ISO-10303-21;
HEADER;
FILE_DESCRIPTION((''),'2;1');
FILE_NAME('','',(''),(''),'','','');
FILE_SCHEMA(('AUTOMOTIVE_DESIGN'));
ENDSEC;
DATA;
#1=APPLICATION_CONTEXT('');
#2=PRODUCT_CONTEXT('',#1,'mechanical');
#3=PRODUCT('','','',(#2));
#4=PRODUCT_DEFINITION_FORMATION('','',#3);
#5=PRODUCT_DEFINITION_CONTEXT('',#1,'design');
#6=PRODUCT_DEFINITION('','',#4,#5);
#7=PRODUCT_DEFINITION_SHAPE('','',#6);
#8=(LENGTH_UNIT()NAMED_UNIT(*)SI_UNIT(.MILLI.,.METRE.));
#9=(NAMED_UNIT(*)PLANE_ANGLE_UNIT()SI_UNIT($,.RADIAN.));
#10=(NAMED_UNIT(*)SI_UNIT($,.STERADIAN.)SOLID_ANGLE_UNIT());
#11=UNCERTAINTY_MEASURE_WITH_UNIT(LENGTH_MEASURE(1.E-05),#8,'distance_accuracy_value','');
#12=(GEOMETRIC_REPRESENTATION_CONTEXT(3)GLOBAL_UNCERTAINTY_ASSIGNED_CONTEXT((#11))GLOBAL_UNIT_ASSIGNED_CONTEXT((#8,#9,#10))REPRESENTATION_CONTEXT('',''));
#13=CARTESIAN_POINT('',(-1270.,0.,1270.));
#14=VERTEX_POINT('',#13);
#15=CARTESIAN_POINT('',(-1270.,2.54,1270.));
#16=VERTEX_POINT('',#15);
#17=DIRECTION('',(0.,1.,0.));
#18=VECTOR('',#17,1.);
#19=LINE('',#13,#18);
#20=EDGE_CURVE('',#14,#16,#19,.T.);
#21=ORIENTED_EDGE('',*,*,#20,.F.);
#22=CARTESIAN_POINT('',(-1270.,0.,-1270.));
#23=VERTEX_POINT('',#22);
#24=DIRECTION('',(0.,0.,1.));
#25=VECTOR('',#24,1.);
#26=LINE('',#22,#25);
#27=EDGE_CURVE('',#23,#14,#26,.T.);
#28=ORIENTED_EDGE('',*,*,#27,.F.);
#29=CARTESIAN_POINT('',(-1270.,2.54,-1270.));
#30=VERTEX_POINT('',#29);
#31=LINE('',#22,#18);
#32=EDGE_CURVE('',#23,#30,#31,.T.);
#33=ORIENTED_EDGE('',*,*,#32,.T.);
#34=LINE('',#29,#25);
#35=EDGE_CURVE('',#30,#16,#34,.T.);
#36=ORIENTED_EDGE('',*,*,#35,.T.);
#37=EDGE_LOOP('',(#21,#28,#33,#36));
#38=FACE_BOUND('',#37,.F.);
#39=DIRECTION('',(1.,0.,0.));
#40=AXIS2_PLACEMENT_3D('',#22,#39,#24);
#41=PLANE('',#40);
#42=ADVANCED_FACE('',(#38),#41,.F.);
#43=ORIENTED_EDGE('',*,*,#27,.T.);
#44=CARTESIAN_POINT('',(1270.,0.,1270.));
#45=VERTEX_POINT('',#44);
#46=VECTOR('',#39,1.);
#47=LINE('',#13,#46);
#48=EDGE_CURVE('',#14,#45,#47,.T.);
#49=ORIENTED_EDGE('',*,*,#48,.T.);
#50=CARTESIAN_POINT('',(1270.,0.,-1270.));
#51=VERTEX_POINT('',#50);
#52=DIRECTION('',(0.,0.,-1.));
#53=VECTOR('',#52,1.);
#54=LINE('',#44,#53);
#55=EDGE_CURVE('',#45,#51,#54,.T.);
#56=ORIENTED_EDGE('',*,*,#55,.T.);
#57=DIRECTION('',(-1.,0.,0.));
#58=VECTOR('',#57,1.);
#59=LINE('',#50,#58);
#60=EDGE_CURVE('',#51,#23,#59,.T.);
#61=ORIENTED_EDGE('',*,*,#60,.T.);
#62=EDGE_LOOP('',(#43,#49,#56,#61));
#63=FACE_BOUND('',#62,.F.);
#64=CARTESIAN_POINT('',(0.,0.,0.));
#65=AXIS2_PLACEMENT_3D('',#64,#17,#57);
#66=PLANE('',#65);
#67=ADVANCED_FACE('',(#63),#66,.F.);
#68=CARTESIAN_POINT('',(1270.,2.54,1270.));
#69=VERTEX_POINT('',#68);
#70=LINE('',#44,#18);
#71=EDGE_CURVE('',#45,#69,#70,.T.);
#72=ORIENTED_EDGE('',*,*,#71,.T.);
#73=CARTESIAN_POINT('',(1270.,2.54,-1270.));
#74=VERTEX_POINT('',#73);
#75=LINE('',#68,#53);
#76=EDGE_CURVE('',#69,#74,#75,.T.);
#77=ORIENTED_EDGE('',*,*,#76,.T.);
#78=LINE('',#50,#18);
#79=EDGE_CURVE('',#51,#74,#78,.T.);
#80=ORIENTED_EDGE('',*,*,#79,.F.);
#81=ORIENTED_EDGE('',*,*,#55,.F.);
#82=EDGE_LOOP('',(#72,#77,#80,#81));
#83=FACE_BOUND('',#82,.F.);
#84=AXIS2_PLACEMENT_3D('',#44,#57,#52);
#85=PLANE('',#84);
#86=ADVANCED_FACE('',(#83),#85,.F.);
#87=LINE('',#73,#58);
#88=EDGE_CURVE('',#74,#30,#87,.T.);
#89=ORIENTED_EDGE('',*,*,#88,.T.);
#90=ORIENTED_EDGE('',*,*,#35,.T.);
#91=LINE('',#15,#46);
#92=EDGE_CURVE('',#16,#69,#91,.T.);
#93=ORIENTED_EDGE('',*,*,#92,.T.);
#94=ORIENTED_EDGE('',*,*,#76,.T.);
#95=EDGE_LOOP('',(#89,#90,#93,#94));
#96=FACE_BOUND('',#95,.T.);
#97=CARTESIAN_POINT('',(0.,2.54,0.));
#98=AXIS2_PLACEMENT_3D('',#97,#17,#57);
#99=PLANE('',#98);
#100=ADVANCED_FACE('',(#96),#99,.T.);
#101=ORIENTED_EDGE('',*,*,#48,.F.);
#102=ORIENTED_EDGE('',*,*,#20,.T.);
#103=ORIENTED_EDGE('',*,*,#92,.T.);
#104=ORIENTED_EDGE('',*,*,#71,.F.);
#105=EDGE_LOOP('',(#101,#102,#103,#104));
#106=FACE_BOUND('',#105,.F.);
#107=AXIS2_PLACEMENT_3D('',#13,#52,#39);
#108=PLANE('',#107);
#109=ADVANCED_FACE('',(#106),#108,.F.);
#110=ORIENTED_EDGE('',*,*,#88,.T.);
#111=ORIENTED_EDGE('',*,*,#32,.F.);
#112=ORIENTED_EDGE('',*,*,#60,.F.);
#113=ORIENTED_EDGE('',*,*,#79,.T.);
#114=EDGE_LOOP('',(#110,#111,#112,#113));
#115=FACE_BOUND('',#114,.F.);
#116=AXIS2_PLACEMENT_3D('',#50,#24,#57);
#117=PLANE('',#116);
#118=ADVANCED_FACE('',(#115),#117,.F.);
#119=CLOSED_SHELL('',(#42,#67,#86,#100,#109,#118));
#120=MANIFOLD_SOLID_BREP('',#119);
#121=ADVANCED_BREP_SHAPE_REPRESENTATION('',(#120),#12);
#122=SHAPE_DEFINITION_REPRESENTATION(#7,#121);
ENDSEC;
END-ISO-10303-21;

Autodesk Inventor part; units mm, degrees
ref_plane "YZ Plane" through (0, 0, 0) normal (1, 0, 0) x (0, 1, 0)
ref_plane "XZ Plane" through (0, 0, 0) normal (0, 1, 0) x (-1, 0, 0)
ref_plane "XY Plane" through (0, 0, 0) normal (0, 0, 1) x (1, 0, 0)
sketch "Sketch1" plane through (0, 0, 0) normal (0, 1, 0) x (-1, 0, 0)
  line L0 (1270, 1270) -> (-1270, 1270)
  line L1 (-1270, 1270) -> (-1270, -1270)
  line L2 (-1270, -1270) -> (1270, -1270)
  line L3 (1270, -1270) -> (1270, 1270)
  point P0 (0, 0)
  dimension "d2" = 1270
  dimension "d3" = 1270
  dimension "d4" = 2540
extrude "Extrusion1" add sketch "Sketch1" along normal blind 2.54
ref_plane "Work Plane1" through (-1270, 0, 0) normal (0, 0, 1) x (1, 0, 0)
ref_plane "Work Plane2" through (0, 0, 1270) normal (1, 0, 0) x (0, 0, -1)
equation "\"d2\" = 0.5 * d4"
equation "\"d3\" = 0.5 * d4"
properties part number "Ground"
